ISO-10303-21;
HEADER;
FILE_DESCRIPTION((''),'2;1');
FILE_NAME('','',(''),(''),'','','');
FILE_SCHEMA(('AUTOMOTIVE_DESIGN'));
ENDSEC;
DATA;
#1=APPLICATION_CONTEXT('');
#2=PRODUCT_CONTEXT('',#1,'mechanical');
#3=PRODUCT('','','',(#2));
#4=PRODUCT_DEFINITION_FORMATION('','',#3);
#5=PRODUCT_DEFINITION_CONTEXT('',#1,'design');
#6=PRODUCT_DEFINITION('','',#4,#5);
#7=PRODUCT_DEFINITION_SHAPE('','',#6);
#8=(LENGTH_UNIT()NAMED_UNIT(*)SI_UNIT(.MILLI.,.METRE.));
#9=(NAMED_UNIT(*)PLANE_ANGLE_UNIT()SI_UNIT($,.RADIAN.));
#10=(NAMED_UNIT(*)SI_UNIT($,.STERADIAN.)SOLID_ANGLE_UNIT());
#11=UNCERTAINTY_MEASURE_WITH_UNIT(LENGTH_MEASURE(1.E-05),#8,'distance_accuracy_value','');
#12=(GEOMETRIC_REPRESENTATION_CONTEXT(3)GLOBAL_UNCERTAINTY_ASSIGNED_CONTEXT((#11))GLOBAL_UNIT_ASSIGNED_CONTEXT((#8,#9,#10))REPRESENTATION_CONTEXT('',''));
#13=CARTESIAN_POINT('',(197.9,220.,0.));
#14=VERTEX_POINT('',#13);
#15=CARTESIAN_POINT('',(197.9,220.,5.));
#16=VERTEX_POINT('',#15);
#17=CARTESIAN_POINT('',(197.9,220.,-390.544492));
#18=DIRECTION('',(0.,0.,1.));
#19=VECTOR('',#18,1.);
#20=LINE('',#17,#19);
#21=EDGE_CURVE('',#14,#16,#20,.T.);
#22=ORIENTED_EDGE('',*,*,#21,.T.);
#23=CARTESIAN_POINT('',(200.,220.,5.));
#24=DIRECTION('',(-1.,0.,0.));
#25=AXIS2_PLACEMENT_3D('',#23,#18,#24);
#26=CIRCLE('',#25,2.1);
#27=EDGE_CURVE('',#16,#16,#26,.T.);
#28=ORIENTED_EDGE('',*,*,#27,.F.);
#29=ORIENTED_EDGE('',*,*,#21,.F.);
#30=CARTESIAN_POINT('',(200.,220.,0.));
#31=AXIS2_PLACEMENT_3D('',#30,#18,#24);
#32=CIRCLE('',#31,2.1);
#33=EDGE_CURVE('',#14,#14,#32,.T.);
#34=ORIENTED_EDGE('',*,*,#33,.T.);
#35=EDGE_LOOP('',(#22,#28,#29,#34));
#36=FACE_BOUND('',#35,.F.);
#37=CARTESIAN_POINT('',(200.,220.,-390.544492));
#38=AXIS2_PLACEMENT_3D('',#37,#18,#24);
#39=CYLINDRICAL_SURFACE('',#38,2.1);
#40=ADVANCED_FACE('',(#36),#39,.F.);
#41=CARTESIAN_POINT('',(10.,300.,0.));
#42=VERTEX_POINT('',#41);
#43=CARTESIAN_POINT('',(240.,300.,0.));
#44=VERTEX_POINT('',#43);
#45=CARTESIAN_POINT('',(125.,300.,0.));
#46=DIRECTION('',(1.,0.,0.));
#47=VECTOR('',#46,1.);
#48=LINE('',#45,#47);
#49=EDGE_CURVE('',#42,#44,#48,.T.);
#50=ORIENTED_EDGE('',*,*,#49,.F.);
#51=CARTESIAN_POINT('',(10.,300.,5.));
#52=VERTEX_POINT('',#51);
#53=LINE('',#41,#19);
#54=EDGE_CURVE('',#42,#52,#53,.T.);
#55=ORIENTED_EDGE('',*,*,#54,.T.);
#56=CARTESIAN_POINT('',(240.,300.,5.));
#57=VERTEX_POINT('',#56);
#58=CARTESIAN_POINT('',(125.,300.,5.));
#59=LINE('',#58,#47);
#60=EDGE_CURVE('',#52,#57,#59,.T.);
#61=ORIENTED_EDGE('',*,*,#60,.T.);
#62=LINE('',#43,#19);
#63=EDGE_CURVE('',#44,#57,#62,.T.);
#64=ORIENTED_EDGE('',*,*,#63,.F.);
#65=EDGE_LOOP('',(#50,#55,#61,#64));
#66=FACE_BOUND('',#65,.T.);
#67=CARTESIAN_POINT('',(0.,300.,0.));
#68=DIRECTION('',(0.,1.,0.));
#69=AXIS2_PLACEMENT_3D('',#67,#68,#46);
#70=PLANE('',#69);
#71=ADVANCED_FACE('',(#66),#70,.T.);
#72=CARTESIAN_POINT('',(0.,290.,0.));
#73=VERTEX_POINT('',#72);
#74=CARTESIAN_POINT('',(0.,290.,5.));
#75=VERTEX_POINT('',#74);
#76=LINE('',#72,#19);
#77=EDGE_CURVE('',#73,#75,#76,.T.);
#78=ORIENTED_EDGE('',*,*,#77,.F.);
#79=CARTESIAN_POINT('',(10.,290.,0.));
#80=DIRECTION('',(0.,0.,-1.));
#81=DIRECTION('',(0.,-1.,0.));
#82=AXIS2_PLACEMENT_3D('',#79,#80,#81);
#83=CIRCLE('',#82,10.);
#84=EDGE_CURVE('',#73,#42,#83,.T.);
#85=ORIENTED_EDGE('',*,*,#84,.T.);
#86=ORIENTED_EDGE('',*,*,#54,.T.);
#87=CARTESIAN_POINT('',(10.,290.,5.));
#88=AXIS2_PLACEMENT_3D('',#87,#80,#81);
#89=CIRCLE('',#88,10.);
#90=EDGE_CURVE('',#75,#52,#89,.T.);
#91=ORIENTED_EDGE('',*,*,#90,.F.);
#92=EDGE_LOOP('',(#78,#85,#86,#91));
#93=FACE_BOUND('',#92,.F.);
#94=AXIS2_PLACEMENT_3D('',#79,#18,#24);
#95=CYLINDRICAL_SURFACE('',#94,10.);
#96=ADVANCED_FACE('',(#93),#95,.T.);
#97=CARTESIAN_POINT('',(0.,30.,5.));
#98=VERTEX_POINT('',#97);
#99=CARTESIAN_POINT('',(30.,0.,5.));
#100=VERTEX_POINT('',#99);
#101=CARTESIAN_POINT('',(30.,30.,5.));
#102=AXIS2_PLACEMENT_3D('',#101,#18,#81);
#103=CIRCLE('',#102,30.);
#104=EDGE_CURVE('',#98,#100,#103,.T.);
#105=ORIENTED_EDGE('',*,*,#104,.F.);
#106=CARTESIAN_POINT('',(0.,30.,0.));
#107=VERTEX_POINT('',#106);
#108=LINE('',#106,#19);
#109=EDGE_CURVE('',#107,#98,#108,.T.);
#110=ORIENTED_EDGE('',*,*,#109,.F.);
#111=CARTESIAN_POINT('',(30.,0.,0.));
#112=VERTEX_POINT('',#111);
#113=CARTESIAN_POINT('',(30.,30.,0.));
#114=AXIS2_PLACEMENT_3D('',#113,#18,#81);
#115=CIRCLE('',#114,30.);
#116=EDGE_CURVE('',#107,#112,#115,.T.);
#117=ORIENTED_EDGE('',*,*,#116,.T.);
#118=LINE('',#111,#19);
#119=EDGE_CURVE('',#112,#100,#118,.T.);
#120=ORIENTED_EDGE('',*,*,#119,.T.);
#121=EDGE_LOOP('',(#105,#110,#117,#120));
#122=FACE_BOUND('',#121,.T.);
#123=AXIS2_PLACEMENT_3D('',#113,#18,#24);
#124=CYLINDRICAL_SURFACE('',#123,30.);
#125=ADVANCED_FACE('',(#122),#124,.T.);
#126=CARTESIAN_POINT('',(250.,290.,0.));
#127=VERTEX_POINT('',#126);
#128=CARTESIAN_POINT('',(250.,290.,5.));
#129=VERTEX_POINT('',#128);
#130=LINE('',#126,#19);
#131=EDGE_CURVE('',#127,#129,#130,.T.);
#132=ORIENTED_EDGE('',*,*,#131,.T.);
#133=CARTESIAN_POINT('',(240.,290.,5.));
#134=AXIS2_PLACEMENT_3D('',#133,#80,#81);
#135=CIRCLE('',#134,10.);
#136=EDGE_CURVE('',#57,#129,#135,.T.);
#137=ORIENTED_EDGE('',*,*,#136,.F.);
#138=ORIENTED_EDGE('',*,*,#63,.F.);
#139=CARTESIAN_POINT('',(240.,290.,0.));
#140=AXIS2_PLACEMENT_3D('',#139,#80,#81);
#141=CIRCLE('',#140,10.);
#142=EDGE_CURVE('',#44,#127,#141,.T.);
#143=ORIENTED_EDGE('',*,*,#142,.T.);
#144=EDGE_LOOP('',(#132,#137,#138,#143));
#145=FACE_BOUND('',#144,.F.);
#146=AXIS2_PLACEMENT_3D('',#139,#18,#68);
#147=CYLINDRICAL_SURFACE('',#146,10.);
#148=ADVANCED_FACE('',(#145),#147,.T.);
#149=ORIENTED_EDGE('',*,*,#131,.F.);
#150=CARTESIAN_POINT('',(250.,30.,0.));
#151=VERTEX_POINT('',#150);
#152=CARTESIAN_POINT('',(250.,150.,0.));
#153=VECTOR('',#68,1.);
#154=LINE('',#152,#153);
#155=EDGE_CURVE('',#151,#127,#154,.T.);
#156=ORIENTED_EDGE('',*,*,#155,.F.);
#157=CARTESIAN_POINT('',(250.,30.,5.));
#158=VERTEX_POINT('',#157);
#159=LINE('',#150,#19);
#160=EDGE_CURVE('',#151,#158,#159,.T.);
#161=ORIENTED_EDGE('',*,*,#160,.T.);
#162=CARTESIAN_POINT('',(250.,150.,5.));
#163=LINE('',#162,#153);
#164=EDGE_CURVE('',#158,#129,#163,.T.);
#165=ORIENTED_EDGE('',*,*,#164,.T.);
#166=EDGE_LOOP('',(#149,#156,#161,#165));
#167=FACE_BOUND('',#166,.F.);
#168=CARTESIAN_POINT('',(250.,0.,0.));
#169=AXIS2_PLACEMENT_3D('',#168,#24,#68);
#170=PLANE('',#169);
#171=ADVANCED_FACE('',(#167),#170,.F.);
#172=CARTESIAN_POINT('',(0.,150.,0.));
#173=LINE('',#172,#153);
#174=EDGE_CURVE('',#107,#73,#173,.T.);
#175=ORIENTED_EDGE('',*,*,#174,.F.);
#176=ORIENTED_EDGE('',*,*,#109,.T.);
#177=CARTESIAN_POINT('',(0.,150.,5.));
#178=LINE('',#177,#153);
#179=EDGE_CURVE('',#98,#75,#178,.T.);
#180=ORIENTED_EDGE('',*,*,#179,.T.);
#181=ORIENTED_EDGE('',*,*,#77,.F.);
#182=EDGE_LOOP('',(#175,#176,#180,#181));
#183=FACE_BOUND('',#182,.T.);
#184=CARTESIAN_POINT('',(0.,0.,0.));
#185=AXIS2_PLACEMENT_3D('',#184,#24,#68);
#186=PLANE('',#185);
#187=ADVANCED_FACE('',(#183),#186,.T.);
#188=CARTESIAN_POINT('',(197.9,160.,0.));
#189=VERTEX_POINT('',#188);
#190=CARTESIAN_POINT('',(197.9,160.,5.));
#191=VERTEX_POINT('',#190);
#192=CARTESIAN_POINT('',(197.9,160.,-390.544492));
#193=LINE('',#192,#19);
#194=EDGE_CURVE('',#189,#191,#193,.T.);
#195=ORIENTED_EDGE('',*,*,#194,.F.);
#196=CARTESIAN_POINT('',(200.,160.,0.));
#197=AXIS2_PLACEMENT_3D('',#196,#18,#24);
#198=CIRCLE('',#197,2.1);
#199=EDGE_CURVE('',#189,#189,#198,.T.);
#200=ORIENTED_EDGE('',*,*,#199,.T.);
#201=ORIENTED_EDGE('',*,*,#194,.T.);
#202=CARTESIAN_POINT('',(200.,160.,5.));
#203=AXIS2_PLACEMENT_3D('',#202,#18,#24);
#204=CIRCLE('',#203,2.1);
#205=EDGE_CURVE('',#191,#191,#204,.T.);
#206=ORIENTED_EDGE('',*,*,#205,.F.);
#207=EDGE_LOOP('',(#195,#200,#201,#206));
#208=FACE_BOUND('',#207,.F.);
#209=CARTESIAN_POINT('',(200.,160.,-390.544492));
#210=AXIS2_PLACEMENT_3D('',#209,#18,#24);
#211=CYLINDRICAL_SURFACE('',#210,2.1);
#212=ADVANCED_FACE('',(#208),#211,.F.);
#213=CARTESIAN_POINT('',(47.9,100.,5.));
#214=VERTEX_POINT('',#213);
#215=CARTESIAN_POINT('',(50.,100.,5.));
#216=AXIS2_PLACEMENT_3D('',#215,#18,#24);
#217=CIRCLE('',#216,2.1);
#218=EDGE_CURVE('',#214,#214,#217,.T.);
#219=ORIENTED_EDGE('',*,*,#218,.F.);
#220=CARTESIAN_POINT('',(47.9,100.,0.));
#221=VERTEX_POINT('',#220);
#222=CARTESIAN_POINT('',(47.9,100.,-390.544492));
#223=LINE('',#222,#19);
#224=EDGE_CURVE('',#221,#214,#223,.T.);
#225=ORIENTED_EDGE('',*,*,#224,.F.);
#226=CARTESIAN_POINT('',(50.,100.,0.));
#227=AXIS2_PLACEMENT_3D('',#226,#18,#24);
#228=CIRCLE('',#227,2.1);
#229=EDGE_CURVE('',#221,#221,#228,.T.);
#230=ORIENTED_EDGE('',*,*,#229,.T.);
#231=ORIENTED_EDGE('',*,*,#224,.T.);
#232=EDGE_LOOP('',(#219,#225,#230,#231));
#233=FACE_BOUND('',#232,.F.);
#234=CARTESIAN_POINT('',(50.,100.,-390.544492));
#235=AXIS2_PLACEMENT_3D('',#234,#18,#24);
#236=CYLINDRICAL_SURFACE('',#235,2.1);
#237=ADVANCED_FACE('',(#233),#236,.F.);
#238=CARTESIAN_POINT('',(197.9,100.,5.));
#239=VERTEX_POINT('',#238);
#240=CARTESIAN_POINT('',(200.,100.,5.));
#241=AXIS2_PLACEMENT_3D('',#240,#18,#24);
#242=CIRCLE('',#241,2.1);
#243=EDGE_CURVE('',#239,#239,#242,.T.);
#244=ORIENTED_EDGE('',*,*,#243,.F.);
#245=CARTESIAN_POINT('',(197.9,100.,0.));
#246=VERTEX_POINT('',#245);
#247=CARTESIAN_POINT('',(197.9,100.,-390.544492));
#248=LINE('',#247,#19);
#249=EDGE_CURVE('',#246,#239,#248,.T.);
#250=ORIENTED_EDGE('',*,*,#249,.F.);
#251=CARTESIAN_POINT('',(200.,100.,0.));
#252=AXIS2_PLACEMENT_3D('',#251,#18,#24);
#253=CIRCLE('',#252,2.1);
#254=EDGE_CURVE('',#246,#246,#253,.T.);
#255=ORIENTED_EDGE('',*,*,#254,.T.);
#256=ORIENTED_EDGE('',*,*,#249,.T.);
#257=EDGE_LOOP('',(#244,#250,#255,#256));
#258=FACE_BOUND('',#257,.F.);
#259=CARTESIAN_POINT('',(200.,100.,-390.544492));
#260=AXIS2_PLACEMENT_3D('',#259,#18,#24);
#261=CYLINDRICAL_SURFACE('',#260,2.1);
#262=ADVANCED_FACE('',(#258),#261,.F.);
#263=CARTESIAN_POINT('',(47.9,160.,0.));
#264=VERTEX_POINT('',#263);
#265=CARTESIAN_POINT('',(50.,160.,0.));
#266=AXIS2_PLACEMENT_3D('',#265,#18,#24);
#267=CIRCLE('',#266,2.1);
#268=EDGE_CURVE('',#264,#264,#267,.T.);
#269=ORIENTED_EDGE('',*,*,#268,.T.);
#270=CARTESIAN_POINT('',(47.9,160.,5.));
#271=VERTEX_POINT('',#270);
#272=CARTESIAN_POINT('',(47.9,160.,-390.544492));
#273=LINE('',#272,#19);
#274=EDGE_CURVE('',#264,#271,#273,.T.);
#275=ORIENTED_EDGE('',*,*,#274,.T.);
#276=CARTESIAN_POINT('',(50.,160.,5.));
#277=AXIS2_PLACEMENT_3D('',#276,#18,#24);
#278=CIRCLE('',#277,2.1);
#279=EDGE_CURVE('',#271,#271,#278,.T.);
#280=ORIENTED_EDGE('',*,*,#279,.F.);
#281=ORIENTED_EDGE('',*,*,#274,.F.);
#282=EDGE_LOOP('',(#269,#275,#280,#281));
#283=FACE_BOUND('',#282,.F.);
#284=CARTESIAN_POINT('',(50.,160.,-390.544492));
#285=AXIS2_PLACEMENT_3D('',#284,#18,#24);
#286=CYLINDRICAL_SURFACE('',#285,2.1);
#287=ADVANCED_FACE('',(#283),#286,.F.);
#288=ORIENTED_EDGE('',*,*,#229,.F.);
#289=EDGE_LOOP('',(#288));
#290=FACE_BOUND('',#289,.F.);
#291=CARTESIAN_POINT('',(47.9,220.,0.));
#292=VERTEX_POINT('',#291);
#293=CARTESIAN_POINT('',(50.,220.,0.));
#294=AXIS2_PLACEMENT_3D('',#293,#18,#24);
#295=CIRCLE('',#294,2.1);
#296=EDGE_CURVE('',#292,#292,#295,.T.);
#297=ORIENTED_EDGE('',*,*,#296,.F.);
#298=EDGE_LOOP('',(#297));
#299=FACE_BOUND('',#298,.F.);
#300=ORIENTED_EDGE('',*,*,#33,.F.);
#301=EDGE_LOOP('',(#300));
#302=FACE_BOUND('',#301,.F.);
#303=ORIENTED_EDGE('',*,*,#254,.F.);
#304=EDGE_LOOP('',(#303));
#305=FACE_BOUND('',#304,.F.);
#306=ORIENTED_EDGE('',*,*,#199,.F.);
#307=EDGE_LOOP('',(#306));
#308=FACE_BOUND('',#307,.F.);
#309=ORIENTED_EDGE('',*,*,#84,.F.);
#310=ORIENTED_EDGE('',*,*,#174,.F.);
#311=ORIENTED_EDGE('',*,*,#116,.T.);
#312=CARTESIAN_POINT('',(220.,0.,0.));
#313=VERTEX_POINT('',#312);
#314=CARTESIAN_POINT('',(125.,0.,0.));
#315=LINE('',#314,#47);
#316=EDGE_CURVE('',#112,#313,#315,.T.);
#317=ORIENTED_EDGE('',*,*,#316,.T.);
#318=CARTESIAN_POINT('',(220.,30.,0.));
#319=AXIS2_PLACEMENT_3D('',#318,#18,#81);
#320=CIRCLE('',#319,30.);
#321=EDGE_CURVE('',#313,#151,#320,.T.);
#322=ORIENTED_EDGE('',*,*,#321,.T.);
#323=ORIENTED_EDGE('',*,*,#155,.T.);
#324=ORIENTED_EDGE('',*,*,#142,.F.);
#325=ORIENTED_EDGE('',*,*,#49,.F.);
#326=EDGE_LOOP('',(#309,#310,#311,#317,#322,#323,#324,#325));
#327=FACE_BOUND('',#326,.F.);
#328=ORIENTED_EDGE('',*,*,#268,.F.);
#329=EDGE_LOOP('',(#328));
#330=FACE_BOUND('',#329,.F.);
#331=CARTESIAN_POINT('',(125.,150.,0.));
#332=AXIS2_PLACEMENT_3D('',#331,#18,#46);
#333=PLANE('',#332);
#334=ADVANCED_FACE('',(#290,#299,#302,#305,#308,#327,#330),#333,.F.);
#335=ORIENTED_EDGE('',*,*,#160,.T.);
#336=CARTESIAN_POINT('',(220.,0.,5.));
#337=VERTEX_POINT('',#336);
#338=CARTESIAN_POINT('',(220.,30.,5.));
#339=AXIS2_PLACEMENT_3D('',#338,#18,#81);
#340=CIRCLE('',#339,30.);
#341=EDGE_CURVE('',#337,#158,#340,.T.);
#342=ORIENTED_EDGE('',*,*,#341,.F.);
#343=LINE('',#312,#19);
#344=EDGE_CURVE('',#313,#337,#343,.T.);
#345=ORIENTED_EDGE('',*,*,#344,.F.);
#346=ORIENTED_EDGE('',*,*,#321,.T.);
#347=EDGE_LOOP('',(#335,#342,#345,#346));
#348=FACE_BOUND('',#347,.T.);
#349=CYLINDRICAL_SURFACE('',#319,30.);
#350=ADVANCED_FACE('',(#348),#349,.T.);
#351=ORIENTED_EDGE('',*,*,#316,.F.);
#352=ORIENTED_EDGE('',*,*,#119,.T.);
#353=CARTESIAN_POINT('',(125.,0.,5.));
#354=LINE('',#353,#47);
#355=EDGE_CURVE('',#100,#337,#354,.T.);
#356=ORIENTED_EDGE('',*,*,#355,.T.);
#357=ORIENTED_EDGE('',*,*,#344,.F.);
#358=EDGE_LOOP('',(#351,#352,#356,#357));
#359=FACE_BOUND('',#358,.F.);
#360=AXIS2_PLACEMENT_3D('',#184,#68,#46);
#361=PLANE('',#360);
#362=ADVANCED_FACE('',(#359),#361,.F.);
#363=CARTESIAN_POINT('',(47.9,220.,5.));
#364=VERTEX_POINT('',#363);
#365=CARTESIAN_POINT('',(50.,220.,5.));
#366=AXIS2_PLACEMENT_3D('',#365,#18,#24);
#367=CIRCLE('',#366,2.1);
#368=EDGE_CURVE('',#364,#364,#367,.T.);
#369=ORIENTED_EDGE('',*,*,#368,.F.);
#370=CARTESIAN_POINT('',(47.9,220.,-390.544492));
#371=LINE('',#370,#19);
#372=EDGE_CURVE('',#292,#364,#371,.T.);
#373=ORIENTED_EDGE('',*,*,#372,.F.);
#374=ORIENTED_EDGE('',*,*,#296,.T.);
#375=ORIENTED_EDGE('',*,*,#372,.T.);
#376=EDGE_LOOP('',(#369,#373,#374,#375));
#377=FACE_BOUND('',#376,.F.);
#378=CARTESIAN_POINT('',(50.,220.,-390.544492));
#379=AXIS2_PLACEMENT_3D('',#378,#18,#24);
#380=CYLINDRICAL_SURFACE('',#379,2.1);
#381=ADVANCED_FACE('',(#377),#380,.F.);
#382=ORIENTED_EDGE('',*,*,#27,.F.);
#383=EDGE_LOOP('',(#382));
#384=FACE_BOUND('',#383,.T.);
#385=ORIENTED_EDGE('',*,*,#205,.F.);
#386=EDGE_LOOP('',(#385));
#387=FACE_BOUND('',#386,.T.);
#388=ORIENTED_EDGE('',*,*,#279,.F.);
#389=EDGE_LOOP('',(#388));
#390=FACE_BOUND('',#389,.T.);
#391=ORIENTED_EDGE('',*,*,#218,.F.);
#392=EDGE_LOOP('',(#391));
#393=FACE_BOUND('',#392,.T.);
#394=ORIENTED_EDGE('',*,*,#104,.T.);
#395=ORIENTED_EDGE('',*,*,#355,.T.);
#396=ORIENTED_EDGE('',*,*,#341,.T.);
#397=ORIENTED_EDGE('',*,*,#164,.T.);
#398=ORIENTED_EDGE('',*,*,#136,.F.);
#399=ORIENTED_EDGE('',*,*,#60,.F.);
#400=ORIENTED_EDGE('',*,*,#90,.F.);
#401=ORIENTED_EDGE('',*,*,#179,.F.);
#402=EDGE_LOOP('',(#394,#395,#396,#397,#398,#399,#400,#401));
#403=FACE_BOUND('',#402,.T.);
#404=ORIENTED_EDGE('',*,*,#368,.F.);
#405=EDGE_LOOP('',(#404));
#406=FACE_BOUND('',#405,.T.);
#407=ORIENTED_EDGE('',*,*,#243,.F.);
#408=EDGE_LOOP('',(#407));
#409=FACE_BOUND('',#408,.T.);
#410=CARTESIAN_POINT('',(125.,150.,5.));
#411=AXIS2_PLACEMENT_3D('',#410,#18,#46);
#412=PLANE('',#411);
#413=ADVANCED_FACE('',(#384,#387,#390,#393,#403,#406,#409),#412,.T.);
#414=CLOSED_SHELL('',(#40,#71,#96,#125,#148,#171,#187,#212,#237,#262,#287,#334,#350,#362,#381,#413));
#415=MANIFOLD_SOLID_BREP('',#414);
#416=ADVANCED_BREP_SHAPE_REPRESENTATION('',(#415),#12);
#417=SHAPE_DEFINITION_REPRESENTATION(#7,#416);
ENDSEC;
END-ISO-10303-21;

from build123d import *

# Parameters (mm, degrees)
F0_W     = 250
F0_H     = 300
F1_DEPTH = 5
F3_D     = 4.2
F4_R     = 10
F5_R     = 30


with BuildPart() as f1:
    # F0 (on Top) → F1 (new body)
    with BuildSketch(Plane.XY):
        with Locations((125, 150)):
            Rectangle(F0_W, F0_H)
    extrude(amount=F1_DEPTH)

    # F3 (through all)
    with Locations(Plane(origin=(0, 0, 0), x_dir=(1, 0, 0), z_dir=(0, 0, -1))):
        with Locations((50, -220), (50, -160), (200, -220), (200, -160), (200, -100), (50, -100)):
            Hole(F3_D / 2)

    # F4
    f4_edges = [f1.edges().sort_by_distance(p)[0] for p in [
        (0, 300, 2.5),
        (250, 300, 2.5),
    ]]
    fillet(f4_edges, radius=F4_R)

    # F5
    f5_edges = [f1.edges().sort_by_distance(p)[0] for p in [
        (0, 0, 2.5),
        (250, 0, 2.5),
    ]]
    fillet(f5_edges, radius=F5_R)


solid = f1.part
